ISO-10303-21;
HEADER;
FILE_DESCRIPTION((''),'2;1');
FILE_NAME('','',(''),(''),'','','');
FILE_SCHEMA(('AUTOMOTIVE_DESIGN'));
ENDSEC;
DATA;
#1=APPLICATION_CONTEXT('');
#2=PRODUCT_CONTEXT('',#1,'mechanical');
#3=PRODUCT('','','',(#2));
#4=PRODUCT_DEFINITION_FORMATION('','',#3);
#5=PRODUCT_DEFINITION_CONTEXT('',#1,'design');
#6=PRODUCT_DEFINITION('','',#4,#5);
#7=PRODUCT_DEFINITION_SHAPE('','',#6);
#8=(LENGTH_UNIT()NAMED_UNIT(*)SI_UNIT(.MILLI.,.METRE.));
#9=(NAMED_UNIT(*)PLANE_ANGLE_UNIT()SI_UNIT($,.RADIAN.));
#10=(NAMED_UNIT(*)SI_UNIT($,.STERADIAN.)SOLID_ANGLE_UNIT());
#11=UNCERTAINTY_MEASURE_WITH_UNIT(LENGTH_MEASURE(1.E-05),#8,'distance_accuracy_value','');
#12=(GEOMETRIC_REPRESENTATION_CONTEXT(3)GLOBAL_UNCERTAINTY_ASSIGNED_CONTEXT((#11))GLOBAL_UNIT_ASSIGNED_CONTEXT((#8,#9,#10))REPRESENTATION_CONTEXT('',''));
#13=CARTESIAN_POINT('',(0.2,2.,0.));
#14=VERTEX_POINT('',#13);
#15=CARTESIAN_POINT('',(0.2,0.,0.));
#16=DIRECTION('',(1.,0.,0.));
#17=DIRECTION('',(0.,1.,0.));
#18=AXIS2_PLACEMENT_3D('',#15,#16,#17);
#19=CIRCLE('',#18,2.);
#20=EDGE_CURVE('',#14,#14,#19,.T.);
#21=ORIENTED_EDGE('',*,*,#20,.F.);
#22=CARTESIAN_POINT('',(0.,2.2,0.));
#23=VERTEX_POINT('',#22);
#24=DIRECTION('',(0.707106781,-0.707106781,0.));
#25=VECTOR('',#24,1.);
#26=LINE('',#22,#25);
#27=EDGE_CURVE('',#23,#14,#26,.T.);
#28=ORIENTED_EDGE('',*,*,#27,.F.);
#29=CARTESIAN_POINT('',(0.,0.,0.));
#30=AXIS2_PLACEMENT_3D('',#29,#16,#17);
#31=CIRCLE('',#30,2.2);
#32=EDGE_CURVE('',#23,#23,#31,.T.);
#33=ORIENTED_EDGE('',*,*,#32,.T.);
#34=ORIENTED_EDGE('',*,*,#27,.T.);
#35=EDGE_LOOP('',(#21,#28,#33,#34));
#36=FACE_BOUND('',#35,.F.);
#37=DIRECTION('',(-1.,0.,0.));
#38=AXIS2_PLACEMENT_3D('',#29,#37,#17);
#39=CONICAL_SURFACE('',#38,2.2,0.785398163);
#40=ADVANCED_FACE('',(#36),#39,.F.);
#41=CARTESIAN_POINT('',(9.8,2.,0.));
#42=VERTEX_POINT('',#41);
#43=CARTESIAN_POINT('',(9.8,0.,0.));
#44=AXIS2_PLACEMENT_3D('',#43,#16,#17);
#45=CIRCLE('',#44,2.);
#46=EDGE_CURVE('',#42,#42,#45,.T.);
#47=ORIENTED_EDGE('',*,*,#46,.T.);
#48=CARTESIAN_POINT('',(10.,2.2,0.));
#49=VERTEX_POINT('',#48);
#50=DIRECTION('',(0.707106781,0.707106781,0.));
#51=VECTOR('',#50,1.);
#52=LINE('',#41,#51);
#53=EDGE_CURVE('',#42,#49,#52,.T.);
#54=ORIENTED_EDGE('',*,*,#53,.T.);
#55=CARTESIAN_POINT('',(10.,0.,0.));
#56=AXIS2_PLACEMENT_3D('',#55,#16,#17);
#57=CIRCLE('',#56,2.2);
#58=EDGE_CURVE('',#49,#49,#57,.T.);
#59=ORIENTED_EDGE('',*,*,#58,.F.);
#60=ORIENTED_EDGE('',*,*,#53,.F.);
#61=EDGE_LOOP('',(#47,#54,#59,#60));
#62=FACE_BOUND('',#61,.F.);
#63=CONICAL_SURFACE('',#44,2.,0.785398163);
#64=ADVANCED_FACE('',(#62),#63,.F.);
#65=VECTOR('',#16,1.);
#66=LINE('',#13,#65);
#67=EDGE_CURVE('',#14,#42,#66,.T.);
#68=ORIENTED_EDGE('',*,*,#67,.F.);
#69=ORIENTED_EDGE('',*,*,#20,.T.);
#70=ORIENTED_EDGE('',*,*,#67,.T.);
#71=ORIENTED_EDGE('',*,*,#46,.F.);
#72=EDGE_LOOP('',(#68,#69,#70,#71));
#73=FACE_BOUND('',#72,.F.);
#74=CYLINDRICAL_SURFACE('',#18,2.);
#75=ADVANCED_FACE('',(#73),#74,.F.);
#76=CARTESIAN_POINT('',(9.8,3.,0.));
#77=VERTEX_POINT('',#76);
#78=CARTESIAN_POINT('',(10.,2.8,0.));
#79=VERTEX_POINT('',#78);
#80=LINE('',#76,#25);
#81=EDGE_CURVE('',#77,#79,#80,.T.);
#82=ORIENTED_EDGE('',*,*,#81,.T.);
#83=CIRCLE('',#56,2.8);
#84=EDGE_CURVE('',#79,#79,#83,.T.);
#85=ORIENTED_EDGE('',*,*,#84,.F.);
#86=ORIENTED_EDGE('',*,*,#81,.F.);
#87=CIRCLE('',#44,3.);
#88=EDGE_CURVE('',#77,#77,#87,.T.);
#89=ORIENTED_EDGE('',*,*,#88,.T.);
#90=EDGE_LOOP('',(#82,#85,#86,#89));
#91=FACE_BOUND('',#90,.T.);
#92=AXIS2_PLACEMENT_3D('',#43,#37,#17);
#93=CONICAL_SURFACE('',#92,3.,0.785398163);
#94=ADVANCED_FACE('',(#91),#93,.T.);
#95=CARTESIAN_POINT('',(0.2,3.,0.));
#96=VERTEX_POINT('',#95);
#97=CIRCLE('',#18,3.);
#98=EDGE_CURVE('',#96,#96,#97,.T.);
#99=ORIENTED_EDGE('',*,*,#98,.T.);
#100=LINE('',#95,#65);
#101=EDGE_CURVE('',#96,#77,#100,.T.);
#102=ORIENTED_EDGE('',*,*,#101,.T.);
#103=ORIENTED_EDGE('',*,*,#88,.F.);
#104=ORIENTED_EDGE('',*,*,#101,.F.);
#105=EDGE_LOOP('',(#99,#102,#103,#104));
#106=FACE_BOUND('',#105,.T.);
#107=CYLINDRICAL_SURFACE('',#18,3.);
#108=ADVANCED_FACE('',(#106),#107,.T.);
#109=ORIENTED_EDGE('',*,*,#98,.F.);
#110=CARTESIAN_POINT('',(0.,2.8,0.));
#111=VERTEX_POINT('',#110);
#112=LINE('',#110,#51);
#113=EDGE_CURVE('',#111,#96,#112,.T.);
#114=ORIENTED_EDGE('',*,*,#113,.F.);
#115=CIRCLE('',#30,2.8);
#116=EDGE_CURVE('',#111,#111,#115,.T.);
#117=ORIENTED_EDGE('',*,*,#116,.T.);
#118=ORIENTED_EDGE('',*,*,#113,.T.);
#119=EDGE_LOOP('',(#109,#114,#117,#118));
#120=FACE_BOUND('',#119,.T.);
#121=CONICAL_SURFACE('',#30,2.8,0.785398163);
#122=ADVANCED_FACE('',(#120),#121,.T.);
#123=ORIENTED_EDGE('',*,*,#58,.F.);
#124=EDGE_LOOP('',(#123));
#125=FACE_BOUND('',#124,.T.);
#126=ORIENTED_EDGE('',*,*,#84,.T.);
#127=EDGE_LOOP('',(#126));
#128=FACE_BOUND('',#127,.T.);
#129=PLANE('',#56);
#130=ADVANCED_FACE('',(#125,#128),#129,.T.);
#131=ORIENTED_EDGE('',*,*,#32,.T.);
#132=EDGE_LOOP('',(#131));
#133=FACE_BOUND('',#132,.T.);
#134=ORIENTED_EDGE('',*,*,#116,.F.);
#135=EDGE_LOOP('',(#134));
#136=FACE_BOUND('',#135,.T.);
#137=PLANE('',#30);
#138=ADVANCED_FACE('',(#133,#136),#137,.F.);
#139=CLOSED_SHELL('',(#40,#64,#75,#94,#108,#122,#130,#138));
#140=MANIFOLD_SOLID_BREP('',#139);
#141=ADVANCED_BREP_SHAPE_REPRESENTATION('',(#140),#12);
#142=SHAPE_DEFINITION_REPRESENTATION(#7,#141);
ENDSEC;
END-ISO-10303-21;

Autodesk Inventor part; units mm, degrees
ref_plane "YZ Plane" through (0, 0, 0) normal (1, 0, 0) x (0, 1, 0)
ref_plane "XZ Plane" through (0, 0, 0) normal (0, 1, 0) x (-1, 0, 0)
ref_plane "XY Plane" through (0, 0, 0) normal (0, 0, 1) x (1, 0, 0)
sketch "_____1" plane through (0, 0, 0) normal (0, 0, 1) x (1, 0, 0)
  line L0 (10, 0) -> (0, 0)
  line L1 (0, 0) -> (0, 2.8)
  line L2 (0, 2.8) -> (0.2, 3)
  line L3 (0.2, 3) -> (9.8, 3)
  line L4 (9.8, 3) -> (10, 2.8)
  line L5 (10, 2.8) -> (10, 0)
  line L6 (10, 0) -> (0, 0)
revolve "Revolution1" add sketch "_____1" angle 360 about axis through (10, 0, 0) along (1, 0, 0)
sketch "_____2" plane through (0, 0, 0) normal (0, 0, 1) x (1, 0, 0)
  line L0 (20, 0) -> (-20, 0)
  line L1 (0, 0) -> (0, 2.2)
  line L2 (0, 2.2) -> (0.2, 2)
  line L3 (0.2, 2) -> (9.8, 2)
  line L4 (9.8, 2) -> (10, 2.2)
  line L5 (10, 2.2) -> (10, 0)
  line L6 (10, 0) -> (0, 0)
revolve "Revolution2" cut sketch "_____2" angle 360 about axis through (20, 0, 0) along (1, 0, 0)
properties part number "C-KNCLA4-6-10"
